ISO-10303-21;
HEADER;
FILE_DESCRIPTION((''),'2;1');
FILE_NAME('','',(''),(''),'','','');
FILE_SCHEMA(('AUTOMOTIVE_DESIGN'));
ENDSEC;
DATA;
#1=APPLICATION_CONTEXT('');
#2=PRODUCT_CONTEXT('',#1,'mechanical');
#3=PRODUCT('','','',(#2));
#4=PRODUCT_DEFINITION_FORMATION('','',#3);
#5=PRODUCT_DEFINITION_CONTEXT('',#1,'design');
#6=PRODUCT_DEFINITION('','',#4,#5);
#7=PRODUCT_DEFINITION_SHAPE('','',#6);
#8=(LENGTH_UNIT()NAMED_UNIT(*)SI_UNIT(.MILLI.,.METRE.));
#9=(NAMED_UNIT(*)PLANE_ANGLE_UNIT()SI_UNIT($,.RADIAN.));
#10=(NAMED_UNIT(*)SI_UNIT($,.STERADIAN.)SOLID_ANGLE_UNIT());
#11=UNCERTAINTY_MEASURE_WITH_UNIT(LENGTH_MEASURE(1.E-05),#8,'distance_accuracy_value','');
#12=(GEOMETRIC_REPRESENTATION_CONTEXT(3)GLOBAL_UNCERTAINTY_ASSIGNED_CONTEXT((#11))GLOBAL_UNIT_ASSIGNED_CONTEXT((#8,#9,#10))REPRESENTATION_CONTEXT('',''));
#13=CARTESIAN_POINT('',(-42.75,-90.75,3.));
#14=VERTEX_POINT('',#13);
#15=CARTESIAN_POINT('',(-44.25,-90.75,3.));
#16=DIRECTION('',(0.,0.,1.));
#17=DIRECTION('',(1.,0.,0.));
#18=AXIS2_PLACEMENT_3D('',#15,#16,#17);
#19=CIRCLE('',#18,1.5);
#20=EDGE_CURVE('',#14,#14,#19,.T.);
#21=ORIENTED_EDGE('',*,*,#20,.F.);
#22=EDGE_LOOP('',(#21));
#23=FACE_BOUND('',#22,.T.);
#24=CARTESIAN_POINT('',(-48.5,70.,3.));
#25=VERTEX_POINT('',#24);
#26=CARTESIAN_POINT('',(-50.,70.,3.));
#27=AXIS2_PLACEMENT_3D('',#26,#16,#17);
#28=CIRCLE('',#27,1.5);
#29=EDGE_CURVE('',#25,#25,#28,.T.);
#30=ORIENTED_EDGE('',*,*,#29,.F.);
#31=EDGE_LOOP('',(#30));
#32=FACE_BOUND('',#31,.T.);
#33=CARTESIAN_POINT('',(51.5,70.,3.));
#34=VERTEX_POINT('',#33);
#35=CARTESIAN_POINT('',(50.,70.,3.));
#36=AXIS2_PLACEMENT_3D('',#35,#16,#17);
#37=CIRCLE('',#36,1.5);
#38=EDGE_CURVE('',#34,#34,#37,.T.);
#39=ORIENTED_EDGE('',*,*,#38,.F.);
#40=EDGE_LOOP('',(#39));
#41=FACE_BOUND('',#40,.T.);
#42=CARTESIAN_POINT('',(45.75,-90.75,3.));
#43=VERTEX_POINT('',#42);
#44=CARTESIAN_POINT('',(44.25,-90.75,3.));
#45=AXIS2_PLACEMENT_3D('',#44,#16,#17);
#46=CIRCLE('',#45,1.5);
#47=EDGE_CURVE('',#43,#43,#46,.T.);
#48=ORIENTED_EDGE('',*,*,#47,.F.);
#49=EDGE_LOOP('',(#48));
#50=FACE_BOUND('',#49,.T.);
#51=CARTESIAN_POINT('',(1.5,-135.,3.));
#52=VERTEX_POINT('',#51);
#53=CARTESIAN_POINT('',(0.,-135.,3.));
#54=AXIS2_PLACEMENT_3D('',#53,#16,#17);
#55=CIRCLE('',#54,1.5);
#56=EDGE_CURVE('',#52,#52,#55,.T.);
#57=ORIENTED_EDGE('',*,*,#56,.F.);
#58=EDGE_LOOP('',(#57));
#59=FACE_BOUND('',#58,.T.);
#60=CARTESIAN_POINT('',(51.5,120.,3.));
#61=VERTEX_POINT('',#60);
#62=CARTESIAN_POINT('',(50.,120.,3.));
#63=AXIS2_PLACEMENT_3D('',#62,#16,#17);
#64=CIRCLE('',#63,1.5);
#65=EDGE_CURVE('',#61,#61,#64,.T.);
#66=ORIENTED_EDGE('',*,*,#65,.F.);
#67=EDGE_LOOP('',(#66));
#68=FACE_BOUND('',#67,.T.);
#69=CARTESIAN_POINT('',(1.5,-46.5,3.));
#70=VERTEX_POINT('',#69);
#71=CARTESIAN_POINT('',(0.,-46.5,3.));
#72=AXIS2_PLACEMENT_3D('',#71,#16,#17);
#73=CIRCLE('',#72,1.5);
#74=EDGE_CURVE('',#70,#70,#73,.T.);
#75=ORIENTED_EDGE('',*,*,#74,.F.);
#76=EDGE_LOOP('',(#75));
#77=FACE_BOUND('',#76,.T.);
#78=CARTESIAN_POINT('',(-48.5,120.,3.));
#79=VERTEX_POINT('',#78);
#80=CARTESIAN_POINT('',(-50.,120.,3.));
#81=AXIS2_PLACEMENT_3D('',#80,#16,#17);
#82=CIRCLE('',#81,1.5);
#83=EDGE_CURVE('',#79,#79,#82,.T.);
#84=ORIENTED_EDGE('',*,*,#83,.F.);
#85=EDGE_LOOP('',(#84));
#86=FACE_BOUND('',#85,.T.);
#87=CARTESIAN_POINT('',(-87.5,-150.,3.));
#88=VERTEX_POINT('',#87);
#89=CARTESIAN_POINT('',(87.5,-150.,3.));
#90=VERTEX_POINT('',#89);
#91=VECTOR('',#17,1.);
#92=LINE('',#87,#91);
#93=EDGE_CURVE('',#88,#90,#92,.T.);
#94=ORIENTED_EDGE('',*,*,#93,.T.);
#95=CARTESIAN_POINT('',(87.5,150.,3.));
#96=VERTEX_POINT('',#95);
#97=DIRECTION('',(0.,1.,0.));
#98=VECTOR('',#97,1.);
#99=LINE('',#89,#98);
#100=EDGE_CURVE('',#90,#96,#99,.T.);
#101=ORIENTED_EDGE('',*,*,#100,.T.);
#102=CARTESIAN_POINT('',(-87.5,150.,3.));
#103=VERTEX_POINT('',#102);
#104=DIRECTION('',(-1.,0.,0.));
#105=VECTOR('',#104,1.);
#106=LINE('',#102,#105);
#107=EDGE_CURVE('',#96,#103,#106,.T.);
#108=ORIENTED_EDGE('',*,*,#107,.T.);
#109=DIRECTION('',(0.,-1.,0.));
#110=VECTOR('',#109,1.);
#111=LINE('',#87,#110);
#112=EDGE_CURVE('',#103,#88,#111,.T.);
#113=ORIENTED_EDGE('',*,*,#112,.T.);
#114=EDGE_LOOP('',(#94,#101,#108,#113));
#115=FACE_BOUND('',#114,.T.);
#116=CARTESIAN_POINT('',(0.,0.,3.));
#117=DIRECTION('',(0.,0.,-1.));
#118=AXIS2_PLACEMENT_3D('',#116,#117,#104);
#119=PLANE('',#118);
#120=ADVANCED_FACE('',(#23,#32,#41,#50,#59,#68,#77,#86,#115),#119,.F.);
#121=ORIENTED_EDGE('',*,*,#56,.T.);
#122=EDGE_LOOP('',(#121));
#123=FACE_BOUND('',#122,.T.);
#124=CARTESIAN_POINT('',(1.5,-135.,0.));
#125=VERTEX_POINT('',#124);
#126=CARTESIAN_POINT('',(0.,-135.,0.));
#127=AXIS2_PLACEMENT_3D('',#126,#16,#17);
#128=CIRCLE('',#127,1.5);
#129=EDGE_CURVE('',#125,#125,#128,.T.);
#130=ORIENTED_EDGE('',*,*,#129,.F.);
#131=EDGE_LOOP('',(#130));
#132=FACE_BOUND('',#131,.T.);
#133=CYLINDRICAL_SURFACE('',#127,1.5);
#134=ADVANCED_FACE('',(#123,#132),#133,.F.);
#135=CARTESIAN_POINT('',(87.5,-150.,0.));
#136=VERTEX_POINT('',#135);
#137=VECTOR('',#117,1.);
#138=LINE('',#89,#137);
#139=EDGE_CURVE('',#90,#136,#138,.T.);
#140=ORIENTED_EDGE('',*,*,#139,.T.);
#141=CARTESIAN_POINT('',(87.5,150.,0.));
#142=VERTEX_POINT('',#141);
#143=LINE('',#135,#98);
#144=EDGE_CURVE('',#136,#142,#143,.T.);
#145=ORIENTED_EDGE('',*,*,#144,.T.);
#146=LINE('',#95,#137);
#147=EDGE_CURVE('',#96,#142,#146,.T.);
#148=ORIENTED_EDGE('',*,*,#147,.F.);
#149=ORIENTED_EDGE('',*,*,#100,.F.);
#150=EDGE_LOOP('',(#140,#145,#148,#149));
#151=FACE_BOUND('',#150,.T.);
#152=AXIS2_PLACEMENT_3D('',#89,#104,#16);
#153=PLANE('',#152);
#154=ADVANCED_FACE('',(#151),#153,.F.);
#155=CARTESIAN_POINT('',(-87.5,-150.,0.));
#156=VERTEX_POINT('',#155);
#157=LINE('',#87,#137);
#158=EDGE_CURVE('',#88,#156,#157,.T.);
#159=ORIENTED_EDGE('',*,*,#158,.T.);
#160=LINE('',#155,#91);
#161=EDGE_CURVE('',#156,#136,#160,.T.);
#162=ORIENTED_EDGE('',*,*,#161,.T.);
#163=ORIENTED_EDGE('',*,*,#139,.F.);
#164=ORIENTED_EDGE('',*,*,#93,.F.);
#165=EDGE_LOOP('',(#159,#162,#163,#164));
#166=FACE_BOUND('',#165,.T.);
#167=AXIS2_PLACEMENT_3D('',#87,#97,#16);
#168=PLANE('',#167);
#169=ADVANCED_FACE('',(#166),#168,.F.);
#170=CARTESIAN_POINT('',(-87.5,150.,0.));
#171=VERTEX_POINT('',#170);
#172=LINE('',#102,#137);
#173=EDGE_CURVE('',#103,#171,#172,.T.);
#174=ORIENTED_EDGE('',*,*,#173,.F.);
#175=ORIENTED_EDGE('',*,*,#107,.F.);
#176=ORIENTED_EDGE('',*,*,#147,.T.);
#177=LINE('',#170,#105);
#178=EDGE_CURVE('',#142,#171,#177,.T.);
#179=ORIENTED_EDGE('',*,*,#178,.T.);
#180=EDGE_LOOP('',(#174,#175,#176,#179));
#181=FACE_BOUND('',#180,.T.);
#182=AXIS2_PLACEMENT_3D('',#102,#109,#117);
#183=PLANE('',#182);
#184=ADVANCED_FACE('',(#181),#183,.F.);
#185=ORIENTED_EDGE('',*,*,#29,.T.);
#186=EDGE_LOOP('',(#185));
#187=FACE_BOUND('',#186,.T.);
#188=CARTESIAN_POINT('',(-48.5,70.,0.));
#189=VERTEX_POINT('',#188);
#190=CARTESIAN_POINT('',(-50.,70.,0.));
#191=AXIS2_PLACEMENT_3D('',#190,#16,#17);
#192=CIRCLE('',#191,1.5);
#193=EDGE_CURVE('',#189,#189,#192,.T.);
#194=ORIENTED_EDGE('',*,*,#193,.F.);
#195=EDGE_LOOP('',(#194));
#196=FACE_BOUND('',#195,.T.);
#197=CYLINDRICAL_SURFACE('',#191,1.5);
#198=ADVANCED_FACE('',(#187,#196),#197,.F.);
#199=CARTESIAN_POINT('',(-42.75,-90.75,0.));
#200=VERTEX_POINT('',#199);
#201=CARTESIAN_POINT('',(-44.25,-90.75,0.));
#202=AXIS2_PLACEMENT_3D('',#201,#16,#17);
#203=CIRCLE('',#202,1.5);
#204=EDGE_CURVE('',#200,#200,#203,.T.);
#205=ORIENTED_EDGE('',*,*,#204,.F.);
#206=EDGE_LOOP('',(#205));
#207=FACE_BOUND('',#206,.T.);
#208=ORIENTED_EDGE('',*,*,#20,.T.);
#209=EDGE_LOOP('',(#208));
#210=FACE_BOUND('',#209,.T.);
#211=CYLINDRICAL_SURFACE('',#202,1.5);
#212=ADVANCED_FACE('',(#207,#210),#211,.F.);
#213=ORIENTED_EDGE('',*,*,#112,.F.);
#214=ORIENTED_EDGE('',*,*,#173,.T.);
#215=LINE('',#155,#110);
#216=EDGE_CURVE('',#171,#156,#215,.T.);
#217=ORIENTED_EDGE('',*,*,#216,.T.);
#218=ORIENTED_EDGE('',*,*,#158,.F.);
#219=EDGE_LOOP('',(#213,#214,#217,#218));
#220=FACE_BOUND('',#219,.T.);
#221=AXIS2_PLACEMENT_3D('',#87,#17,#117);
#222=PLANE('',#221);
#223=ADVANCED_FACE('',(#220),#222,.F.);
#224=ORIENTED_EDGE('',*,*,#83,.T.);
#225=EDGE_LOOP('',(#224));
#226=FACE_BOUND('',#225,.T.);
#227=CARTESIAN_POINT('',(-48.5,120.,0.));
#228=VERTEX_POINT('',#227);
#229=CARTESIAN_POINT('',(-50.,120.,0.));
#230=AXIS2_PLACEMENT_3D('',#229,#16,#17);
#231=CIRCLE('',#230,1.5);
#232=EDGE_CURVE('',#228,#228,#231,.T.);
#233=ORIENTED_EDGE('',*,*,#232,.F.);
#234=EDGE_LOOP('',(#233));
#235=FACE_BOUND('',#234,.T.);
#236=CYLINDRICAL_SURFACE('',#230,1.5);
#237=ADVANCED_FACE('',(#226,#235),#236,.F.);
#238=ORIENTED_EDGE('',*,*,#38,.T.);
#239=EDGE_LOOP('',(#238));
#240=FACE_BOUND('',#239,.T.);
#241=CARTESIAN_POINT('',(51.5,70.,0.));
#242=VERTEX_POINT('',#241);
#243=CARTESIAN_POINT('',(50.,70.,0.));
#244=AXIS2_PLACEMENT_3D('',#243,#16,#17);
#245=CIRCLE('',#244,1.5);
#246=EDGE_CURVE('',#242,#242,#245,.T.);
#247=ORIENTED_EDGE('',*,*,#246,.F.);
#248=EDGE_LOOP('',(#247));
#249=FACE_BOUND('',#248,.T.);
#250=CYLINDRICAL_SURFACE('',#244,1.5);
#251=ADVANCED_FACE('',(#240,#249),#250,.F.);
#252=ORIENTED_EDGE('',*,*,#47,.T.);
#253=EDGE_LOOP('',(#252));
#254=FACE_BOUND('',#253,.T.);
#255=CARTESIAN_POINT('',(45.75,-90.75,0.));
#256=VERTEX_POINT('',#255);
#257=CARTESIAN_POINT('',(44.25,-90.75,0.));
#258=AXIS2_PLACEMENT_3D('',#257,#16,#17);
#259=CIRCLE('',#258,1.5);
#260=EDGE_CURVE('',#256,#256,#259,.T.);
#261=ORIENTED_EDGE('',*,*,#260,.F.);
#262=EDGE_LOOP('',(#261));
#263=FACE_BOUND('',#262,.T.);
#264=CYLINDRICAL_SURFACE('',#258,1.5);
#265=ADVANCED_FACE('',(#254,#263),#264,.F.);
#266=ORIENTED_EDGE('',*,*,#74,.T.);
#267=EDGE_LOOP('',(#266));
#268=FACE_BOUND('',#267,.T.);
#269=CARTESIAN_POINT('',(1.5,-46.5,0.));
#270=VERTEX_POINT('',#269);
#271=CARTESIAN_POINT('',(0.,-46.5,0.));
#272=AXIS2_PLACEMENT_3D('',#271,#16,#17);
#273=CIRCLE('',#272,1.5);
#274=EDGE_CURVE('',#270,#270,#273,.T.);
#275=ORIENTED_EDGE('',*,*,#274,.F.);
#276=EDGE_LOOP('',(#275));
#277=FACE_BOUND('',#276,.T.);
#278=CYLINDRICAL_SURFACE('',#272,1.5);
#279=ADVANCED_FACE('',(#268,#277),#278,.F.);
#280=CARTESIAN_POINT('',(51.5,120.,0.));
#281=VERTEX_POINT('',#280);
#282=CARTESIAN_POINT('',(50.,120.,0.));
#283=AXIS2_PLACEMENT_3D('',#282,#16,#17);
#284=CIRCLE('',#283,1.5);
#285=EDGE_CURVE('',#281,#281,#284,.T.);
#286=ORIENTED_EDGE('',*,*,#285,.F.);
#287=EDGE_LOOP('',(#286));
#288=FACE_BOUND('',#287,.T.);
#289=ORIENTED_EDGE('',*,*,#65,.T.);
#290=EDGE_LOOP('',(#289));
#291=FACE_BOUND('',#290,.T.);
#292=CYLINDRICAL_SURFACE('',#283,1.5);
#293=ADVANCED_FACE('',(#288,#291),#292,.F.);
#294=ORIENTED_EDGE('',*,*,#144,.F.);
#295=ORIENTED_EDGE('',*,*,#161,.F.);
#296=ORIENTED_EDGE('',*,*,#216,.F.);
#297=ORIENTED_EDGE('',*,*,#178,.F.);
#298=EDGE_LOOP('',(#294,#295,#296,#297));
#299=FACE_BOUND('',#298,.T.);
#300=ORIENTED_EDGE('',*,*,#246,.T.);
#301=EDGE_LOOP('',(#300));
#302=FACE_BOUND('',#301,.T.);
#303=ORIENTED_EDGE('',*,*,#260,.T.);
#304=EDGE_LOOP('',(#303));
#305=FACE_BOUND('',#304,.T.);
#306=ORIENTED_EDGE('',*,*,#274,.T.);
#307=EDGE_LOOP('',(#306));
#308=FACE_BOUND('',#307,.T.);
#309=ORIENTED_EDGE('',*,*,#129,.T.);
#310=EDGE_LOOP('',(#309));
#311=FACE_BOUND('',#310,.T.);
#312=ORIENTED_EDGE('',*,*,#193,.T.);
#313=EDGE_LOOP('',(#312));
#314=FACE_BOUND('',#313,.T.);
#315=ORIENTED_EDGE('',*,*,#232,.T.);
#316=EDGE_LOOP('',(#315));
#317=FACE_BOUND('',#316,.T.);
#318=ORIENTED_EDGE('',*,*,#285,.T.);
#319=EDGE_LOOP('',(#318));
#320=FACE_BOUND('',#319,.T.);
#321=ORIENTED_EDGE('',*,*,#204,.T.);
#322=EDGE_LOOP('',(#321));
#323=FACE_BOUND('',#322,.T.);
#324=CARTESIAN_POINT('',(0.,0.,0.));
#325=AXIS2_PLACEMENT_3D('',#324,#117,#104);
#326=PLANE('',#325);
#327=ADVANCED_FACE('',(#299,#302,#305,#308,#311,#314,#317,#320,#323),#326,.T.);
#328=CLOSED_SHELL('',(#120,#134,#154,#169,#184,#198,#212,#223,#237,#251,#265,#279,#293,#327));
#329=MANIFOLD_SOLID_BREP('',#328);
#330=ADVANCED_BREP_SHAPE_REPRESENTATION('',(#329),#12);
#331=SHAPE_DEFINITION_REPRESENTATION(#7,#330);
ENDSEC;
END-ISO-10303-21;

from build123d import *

# Parameters (mm, degrees)
SKETCH_1_W          = 175
SKETCH_1_H          = 300
EXTRUDE_1_DEPTH     = 3
SKETCH_2_R          = 1.5
CUT_EXTRUDE_1_DEPTH = 3
SKETCH_3_R          = 1.5
CUT_EXTRUDE_2_DEPTH = 3


with BuildPart() as part:
    # 草图1 → 凸台-拉伸1 (new body)
    with BuildSketch(Plane.XY):
        Rectangle(SKETCH_1_W, SKETCH_1_H)
    extrude(amount=EXTRUDE_1_DEPTH)

    # 草图2 → 切除-拉伸1 (cut)
    with BuildSketch(Plane.XY.offset(3)):
        with Locations((0, -135)):
            Circle(SKETCH_2_R)
        with Locations((-44.25, -90.75)):
            Circle(SKETCH_2_R)
        with Locations((0, -46.5)):
            Circle(SKETCH_2_R)
        with Locations((44.25, -90.75)):
            Circle(SKETCH_2_R)
    extrude(amount=-CUT_EXTRUDE_1_DEPTH, mode=Mode.SUBTRACT)

    # 草图3 → 切除-拉伸2 (cut)
    with BuildSketch(Plane.XY.offset(3)):
        with Locations((50, 70)):
            Circle(SKETCH_3_R)
        with Locations((50, 120)):
            Circle(SKETCH_3_R)
        with Locations((-50, 120)):
            Circle(SKETCH_3_R)
        with Locations((-50, 70)):
            Circle(SKETCH_3_R)
    extrude(amount=-CUT_EXTRUDE_2_DEPTH, mode=Mode.SUBTRACT)


solid = part.part
